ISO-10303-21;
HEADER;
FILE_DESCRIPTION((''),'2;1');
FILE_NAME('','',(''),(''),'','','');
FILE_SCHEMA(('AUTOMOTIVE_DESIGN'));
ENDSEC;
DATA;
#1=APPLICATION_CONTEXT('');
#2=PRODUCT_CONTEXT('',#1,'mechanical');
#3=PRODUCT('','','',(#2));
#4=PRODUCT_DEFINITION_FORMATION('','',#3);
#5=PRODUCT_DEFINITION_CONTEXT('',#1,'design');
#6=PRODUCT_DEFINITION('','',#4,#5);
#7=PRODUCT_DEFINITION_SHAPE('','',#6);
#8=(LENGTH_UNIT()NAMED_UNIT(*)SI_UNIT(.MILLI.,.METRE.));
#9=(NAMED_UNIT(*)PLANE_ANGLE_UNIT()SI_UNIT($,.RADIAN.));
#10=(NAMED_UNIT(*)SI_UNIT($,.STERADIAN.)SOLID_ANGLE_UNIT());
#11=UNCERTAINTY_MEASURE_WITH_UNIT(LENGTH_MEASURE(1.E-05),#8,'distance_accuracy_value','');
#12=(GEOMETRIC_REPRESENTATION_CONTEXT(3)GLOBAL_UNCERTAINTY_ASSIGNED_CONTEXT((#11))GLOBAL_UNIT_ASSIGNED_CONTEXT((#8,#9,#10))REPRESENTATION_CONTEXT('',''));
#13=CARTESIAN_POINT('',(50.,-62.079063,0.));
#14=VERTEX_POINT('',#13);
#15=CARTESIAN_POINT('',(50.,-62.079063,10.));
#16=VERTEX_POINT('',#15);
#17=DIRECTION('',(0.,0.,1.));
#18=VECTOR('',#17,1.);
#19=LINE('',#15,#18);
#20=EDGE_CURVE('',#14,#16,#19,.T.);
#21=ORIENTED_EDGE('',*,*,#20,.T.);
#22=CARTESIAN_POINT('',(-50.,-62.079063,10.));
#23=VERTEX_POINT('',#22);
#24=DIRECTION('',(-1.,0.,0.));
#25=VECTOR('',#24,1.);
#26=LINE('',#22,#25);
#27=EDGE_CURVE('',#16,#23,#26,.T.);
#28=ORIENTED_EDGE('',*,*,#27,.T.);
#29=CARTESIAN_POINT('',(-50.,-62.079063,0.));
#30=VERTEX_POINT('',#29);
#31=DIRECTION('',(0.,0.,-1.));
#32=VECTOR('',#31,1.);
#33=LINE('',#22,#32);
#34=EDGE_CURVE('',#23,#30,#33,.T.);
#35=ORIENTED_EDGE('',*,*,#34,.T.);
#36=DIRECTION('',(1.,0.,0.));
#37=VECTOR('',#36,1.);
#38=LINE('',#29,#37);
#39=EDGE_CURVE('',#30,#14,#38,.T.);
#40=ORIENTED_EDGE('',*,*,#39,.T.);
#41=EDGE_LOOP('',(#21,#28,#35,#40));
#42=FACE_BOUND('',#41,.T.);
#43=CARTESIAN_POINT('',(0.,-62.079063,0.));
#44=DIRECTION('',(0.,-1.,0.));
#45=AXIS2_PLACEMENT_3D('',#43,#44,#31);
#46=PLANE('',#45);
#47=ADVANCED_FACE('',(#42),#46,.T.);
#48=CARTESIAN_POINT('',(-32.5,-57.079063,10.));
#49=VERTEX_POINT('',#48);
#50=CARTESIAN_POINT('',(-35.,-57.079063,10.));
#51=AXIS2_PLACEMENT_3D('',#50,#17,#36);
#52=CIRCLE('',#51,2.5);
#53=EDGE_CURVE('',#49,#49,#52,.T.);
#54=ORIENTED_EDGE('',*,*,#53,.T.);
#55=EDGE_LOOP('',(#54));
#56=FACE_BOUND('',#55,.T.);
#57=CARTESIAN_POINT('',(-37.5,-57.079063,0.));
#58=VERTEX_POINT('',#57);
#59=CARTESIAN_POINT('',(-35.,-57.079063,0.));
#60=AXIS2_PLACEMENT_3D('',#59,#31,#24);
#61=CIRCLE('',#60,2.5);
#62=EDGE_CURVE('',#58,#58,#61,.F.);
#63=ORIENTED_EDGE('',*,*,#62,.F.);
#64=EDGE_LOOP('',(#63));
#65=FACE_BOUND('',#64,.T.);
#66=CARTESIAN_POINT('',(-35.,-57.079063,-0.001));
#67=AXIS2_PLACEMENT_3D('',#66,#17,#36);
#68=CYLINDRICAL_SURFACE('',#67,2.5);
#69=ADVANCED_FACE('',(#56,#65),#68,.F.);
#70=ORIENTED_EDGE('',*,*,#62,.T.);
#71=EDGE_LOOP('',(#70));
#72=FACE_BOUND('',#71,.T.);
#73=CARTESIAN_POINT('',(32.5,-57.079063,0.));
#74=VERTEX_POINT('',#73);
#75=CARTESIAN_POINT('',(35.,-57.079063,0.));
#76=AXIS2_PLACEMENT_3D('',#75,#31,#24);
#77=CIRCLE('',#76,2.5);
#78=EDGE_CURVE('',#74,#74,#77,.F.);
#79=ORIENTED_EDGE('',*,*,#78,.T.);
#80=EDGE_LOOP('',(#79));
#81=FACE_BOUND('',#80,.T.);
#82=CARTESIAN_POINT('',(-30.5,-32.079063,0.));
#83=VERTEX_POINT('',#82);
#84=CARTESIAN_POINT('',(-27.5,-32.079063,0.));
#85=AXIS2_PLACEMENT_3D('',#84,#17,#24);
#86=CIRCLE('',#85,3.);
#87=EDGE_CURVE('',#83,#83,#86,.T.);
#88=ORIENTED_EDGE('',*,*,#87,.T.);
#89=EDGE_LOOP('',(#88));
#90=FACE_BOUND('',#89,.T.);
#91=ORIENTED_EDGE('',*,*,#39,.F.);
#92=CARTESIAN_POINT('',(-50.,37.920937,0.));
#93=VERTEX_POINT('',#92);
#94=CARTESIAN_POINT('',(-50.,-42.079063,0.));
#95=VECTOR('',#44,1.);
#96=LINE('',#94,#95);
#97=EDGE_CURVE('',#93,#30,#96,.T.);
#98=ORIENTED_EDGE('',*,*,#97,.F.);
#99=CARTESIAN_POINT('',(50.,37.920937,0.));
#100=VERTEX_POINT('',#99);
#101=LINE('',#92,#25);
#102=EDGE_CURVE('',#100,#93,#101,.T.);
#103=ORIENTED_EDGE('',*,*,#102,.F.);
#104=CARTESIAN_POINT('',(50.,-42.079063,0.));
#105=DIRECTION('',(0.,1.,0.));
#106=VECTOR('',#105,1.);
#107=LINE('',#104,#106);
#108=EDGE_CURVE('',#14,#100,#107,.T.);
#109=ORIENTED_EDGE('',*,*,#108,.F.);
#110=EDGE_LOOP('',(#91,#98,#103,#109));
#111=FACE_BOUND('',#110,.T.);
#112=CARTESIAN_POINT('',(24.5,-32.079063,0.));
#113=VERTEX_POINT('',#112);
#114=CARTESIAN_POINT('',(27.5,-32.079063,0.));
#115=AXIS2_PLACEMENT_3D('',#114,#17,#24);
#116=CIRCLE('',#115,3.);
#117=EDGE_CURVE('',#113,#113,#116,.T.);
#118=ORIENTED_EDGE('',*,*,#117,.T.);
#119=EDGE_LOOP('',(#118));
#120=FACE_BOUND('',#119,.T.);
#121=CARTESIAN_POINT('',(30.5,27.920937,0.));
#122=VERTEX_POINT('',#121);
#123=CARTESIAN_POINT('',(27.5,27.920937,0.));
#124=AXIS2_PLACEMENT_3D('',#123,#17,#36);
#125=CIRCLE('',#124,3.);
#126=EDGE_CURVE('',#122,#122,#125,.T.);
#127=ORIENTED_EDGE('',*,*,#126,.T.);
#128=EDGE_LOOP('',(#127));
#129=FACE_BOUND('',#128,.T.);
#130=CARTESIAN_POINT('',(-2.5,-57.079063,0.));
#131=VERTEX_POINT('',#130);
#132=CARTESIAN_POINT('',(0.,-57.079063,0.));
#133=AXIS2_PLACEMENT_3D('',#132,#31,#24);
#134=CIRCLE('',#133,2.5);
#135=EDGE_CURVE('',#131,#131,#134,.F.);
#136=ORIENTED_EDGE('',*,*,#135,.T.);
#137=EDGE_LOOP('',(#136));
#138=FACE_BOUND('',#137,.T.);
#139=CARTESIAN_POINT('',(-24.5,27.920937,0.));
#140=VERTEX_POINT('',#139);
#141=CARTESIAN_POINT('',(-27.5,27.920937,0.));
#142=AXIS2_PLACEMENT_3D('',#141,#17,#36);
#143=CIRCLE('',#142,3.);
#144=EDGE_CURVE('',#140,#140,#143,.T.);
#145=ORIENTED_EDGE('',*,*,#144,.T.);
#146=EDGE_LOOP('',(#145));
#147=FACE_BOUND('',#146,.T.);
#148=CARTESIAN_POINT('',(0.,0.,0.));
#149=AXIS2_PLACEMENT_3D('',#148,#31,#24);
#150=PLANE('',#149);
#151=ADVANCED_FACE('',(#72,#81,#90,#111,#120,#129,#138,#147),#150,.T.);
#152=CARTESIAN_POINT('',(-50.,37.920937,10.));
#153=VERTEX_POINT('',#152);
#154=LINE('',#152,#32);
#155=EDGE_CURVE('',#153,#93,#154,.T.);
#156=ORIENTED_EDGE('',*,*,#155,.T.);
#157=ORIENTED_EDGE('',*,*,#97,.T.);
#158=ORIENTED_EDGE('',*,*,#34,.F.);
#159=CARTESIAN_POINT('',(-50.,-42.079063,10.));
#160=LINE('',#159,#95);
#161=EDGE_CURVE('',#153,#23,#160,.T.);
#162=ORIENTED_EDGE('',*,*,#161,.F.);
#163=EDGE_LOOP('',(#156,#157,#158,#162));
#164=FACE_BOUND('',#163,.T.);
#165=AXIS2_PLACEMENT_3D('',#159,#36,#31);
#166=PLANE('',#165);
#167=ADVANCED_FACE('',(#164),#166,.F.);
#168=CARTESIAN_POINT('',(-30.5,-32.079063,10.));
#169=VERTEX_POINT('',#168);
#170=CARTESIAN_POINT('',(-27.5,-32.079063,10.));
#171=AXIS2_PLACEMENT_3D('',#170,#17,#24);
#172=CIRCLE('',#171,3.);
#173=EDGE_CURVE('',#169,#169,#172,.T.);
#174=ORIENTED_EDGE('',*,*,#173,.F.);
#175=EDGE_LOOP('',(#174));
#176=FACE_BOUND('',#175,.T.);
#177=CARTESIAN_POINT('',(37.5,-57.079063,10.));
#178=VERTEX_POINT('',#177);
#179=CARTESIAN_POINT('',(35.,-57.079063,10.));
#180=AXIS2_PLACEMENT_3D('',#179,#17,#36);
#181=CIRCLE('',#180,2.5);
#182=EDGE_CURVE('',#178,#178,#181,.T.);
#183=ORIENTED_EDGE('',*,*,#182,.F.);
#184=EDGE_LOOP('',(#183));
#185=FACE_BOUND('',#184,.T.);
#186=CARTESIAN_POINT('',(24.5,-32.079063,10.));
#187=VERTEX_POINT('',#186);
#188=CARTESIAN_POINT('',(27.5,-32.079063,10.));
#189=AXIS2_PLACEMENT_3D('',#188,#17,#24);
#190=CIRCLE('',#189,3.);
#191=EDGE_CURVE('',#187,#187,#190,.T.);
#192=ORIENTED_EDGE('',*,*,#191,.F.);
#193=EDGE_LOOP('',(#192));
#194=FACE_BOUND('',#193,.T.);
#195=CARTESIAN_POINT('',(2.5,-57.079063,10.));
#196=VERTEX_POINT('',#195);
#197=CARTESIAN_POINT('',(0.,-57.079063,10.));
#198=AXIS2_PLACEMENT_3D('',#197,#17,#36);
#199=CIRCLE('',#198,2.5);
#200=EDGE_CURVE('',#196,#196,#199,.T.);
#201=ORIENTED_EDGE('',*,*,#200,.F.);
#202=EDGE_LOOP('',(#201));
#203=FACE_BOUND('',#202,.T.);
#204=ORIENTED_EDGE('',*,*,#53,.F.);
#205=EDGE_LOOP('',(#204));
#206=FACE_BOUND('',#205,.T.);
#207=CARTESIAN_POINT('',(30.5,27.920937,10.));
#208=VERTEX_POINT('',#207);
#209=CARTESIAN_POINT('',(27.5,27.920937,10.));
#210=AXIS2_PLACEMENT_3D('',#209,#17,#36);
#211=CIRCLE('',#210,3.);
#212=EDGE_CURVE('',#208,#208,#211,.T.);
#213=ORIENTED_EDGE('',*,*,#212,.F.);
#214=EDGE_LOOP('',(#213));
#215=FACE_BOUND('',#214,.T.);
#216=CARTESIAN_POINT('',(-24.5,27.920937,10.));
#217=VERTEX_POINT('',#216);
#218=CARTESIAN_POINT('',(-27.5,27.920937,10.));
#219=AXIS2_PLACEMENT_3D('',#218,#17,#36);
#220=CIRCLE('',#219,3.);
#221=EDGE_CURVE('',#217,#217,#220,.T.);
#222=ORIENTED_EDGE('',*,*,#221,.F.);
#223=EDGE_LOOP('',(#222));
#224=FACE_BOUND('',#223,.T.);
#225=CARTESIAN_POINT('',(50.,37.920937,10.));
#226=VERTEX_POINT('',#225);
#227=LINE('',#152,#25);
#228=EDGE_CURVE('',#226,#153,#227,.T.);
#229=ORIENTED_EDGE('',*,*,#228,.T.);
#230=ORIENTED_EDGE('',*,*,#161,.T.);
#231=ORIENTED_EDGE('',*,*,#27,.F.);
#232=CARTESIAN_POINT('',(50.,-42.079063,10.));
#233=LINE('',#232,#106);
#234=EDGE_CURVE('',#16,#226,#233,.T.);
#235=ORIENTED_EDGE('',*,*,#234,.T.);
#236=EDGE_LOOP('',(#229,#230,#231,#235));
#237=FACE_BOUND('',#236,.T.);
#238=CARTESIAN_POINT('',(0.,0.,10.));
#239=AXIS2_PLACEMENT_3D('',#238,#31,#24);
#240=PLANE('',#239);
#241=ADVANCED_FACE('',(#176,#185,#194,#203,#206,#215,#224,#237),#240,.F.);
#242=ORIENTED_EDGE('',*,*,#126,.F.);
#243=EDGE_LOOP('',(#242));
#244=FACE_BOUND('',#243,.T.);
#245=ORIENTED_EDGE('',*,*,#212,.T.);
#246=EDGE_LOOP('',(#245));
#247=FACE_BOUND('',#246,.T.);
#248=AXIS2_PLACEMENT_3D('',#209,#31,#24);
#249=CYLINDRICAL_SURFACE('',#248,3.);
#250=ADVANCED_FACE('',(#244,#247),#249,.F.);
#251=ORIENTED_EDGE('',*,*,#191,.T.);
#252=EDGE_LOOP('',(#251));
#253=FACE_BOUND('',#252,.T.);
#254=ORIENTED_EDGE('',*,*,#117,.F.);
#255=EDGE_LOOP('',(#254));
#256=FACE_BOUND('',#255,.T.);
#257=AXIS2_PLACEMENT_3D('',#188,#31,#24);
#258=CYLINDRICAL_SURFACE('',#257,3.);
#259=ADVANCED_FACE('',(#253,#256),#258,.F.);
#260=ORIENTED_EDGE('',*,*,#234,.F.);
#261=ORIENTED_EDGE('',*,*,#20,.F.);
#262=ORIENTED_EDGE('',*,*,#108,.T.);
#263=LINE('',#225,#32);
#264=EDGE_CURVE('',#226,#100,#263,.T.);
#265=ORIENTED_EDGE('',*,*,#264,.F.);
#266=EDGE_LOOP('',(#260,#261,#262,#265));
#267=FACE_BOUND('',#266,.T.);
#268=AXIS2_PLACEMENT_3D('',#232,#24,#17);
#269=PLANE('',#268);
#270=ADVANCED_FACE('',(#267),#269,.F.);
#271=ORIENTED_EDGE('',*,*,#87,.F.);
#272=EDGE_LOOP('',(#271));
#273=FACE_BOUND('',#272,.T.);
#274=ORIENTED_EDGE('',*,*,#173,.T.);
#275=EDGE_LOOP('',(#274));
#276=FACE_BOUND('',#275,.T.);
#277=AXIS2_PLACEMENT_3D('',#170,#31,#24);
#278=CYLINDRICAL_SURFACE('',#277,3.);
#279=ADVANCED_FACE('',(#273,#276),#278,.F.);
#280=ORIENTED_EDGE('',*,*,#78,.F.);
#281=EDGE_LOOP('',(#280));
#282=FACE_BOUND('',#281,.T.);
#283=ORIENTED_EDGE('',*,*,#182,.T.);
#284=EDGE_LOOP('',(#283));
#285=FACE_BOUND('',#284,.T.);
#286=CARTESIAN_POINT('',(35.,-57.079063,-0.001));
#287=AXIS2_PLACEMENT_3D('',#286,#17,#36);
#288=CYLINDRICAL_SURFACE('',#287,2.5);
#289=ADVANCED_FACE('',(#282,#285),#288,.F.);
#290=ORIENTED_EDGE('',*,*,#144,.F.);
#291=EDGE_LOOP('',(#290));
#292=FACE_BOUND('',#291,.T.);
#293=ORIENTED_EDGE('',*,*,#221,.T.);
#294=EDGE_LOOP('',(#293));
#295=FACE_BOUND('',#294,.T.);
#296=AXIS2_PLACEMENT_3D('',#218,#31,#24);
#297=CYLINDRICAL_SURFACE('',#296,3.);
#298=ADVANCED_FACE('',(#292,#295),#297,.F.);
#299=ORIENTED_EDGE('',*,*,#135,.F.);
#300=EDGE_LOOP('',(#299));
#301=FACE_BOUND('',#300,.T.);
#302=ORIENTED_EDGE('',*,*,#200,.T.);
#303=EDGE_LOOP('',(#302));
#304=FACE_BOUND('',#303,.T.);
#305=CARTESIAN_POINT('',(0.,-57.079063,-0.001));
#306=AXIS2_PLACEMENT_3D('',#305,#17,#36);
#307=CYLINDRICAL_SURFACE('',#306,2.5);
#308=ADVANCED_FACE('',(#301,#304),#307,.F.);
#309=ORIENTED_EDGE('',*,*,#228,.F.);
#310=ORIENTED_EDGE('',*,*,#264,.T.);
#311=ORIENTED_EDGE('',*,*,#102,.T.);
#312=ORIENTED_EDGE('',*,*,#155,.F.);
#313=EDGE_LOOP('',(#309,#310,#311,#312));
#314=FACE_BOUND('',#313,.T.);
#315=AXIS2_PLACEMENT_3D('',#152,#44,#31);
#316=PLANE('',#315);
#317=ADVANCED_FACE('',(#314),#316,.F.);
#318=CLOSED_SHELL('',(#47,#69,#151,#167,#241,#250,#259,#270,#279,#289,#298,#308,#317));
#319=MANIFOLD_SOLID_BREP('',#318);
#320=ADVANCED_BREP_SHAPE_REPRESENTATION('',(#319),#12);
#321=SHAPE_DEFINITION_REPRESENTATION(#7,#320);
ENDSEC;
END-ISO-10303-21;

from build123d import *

# Parameters (mm, degrees)
SKETCH2_W           = 100
SKETCH2_H           = 80
SKETCH2_R           = 3
BOSS_EXTRUDE1_DEPTH = 10
SKETCH3_W           = 100
SKETCH3_H           = 10
BOSS_EXTRUDE2_DEPTH = 20
CUT_EXTRUDE1_REACH  = 82.336
SKETCH4_R           = 2.5


with BuildPart() as part:
    # Sketch2 → Boss-Extrude1 (new body)
    with BuildSketch(Plane.XY):
        with Locations((0, -2.079062729)):
            Rectangle(SKETCH2_W, SKETCH2_H)
        with Locations((27.5, 27.920937271)):
            Circle(SKETCH2_R, mode=Mode.SUBTRACT)
        with Locations((-27.5, 27.920937271)):
            Circle(SKETCH2_R, mode=Mode.SUBTRACT)
        with Locations(Location((-27.5, -32.079062729, 0), (0, 0, 180))):
            Circle(SKETCH2_R, mode=Mode.SUBTRACT)
        with Locations(Location((27.5, -32.079062729, 0), (0, 0, 180))):
            Circle(SKETCH2_R, mode=Mode.SUBTRACT)
    extrude(amount=BOSS_EXTRUDE1_DEPTH)

    # Sketch3 → Boss-Extrude2 (add)
    with BuildSketch(Plane.XZ.offset(42.079062729)):
        with Locations((0, 5)):
            Rectangle(SKETCH3_W, SKETCH3_H)
    extrude(amount=BOSS_EXTRUDE2_DEPTH)

    # Sketch4 → Cut-Extrude1 (cut, up to next)
    with BuildSketch(Plane.XY.offset(10), mode=Mode.PRIVATE) as cut_extrude1_sk1:
        with Locations((0, -57.079062729)):
            Circle(SKETCH4_R)
    cut_extrude1_tool1 = extrude(cut_extrude1_sk1.sketch, amount=-CUT_EXTRUDE1_REACH, mode=Mode.PRIVATE) & part.part
    # Sketch4 → Cut-Extrude1 (cut, up to next)
    with BuildSketch(Plane.XY.offset(10), mode=Mode.PRIVATE) as cut_extrude1_sk2:
        with Locations((-35, -57.079062729)):
            Circle(SKETCH4_R)
    cut_extrude1_tool2 = extrude(cut_extrude1_sk2.sketch, amount=-CUT_EXTRUDE1_REACH, mode=Mode.PRIVATE) & part.part
    # Sketch4 → Cut-Extrude1 (cut, up to next)
    with BuildSketch(Plane.XY.offset(10), mode=Mode.PRIVATE) as cut_extrude1_sk3:
        with Locations((35, -57.079062729)):
            Circle(SKETCH4_R)
    cut_extrude1_tool3 = extrude(cut_extrude1_sk3.sketch, amount=-CUT_EXTRUDE1_REACH, mode=Mode.PRIVATE) & part.part
    add(cut_extrude1_tool1.solids().sort_by_distance((0, -57.079063, 10))[0], mode=Mode.SUBTRACT)
    add(cut_extrude1_tool2.solids().sort_by_distance((-35, -57.079063, 10))[0], mode=Mode.SUBTRACT)
    add(cut_extrude1_tool3.solids().sort_by_distance((35, -57.079063, 10))[0], mode=Mode.SUBTRACT)


solid = part.part
